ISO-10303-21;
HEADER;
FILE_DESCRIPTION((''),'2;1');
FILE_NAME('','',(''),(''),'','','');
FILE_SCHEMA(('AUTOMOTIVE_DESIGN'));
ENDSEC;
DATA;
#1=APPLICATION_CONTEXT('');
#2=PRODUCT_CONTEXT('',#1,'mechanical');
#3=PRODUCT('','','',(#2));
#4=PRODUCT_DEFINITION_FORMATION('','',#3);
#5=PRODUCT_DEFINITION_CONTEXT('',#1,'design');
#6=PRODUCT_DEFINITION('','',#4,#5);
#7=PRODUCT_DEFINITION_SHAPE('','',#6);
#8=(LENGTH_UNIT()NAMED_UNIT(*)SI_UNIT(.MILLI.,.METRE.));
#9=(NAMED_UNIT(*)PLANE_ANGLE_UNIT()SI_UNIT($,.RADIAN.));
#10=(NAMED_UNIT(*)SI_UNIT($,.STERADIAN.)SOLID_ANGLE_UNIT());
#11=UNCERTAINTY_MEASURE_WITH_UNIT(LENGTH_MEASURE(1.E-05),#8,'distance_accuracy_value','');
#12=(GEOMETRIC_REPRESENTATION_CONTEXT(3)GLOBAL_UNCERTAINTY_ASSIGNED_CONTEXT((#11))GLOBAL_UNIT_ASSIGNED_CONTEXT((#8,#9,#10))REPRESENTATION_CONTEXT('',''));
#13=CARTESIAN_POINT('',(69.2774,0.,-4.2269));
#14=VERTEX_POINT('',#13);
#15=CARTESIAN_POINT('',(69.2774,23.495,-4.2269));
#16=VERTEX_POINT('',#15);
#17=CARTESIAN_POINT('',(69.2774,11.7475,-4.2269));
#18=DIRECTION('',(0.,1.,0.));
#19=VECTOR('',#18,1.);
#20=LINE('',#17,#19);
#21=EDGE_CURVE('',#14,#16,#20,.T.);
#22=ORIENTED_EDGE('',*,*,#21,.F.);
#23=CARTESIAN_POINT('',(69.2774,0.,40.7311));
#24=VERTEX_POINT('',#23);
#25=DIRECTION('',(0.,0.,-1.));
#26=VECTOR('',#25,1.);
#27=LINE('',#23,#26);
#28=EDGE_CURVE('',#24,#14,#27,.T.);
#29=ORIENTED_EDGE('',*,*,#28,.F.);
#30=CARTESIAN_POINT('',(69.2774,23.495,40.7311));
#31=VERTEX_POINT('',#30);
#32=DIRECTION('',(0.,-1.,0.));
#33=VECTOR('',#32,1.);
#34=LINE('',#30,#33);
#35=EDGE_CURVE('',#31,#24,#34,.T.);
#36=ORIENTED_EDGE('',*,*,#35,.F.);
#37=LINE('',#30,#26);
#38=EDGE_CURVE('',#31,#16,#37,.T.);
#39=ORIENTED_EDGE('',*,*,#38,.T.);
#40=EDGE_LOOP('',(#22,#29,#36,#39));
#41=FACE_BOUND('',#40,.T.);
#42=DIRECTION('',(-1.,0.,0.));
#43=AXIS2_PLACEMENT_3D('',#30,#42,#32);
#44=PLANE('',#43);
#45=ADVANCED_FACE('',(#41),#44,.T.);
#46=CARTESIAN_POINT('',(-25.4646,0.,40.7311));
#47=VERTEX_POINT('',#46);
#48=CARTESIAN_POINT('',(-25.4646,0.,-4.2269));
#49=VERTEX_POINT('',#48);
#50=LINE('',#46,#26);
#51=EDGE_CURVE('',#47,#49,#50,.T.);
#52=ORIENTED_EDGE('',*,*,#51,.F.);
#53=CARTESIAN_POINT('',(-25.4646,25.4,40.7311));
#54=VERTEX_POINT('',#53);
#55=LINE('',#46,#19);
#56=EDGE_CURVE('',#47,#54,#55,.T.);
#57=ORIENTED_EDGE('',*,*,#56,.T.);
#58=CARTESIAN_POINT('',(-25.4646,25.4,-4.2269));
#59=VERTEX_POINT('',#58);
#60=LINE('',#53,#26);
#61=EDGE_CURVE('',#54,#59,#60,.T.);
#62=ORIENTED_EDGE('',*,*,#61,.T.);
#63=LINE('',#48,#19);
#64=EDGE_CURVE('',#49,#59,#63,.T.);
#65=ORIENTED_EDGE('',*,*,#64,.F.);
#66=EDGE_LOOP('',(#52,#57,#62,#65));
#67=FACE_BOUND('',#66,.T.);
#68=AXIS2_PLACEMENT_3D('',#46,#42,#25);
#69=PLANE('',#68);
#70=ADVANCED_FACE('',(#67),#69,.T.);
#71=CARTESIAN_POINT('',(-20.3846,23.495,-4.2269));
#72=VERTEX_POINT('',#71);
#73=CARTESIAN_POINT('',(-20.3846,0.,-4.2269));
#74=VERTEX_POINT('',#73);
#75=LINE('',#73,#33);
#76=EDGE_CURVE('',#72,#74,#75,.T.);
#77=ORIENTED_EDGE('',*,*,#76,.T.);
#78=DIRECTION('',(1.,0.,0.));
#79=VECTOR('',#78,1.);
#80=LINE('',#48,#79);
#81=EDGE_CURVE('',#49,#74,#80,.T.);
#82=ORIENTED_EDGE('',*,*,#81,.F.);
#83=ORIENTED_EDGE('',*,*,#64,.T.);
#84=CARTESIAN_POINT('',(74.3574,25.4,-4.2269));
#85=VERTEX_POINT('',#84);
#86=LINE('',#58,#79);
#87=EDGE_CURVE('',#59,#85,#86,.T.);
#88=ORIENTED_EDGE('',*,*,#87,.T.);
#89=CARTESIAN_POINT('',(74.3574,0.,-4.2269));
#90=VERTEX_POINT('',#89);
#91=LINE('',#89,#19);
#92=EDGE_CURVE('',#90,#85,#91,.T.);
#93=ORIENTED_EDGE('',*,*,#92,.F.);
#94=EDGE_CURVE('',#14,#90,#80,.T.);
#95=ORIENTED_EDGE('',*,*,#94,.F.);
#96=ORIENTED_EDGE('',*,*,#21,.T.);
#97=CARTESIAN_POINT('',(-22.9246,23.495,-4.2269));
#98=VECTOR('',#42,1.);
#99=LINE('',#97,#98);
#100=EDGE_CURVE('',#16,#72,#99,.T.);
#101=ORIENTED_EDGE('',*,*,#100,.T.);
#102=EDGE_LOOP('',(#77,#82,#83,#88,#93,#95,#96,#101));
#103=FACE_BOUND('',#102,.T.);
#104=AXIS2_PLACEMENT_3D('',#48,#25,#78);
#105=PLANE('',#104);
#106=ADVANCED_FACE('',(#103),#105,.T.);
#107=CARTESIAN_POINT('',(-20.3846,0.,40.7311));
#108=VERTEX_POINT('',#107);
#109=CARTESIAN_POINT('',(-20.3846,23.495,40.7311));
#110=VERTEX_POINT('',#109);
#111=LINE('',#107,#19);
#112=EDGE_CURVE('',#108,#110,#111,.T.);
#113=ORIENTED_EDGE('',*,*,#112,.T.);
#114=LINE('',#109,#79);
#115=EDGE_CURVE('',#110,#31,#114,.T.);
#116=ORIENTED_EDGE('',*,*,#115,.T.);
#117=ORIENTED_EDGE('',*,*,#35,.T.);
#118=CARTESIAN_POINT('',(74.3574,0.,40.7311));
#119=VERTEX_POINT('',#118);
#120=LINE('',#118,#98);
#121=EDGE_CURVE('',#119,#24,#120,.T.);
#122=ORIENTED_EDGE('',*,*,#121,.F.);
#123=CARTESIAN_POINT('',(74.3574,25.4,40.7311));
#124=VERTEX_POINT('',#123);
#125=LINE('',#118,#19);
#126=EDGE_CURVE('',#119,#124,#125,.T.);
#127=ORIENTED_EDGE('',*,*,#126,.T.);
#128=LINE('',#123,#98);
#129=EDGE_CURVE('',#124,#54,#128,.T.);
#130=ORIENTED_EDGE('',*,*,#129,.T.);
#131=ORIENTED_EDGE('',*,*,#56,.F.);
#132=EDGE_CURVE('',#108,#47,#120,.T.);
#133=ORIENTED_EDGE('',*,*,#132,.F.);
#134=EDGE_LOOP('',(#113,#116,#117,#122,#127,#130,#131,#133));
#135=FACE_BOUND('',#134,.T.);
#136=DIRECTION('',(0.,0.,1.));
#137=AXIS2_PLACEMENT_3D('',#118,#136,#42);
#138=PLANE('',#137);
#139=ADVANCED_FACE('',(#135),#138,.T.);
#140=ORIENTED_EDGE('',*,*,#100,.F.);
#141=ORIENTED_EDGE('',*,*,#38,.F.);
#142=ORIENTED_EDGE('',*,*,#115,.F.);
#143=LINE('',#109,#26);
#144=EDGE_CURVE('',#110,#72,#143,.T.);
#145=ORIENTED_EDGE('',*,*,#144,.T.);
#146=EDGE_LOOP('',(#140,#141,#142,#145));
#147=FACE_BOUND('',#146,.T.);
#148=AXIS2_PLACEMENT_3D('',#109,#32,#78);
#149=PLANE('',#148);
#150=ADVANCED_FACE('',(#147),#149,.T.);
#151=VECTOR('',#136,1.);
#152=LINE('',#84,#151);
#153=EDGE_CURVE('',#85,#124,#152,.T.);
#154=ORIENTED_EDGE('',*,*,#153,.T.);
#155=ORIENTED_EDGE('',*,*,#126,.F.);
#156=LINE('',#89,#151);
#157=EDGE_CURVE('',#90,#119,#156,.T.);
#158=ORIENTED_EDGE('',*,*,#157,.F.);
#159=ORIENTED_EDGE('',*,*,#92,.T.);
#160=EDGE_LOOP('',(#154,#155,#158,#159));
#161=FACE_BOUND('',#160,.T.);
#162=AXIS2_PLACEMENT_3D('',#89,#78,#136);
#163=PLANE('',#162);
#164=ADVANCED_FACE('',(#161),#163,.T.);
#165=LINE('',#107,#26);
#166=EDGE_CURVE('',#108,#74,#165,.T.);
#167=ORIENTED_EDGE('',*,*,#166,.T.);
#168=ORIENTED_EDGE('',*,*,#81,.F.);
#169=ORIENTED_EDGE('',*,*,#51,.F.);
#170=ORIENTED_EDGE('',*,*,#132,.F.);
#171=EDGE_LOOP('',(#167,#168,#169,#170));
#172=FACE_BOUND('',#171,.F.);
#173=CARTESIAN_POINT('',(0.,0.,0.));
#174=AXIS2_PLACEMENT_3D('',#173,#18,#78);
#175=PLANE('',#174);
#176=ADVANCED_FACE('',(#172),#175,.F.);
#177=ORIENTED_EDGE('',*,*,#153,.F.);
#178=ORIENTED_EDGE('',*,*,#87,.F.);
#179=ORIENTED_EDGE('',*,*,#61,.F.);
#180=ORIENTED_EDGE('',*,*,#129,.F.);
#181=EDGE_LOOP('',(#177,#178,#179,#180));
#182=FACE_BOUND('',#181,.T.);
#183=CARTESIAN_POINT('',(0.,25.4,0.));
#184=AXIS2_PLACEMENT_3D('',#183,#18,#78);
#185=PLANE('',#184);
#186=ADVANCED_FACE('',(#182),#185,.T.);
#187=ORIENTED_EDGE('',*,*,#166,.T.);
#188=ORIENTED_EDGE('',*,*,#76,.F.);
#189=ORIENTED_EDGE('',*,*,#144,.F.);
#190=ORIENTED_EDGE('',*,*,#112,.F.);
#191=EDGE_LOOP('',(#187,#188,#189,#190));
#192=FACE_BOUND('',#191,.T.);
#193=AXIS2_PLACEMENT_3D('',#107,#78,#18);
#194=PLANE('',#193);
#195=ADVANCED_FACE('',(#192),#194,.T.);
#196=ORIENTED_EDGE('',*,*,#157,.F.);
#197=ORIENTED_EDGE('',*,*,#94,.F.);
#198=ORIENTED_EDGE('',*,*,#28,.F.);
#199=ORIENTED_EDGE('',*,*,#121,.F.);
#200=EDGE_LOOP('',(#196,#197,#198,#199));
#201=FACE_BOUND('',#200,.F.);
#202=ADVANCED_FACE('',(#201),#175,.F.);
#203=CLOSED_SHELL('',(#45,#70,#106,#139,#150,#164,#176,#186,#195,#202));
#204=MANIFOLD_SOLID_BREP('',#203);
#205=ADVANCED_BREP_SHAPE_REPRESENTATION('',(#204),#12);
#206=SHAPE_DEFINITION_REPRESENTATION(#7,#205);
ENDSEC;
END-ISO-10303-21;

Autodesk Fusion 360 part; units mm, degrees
sketch "Sketch1" plane through (0, 0, 0) normal (0, 1, 0) x (1, 0, 0)
  line L0 (-25.4646, 4.2269) -> (74.3574, 4.2269)
  line L1 (74.3574, 4.2269) -> (74.3574, -40.7311)
  line L2 (74.3574, -40.7311) -> (-25.4646, -40.7311)
  line L3 (-25.4646, -40.7311) -> (-25.4646, 4.2269)
  dimension "d1" = 99.822
  dimension "d2" = 44.958
extrude "Extrude1" add sketch "Sketch1" along normal blind 25.4
sketch "Sketch2" plane through (0, 0, 40.7311) normal (0, 0, 1) x (1, 0, 0)
  line L0 (-25.4646, 0) -> (74.3574, 0)
  line L1 (74.3574, 0) -> (74.3574, 25.4)
  line L2 (74.3574, 25.4) -> (-25.4646, 25.4)
  line L3 (-25.4646, 25.4) -> (-25.4646, 0)
  line L4 (-20.3846, 23.495) -> (69.2774, 23.495)
  line L5 (69.2774, 23.495) -> (69.2774, 0)
  line L6 (69.2774, 0) -> (-20.3846, 0)
  line L7 (-20.3846, 0) -> (-20.3846, 23.495)
  dimension "d5" = 5.08
  dimension "d6" = 5.08
  dimension "d7" = 1.905
extrude "Extrude2" cut sketch "Sketch2" against normal blind 66.04 contours L0 L4 L5 L6 L7
